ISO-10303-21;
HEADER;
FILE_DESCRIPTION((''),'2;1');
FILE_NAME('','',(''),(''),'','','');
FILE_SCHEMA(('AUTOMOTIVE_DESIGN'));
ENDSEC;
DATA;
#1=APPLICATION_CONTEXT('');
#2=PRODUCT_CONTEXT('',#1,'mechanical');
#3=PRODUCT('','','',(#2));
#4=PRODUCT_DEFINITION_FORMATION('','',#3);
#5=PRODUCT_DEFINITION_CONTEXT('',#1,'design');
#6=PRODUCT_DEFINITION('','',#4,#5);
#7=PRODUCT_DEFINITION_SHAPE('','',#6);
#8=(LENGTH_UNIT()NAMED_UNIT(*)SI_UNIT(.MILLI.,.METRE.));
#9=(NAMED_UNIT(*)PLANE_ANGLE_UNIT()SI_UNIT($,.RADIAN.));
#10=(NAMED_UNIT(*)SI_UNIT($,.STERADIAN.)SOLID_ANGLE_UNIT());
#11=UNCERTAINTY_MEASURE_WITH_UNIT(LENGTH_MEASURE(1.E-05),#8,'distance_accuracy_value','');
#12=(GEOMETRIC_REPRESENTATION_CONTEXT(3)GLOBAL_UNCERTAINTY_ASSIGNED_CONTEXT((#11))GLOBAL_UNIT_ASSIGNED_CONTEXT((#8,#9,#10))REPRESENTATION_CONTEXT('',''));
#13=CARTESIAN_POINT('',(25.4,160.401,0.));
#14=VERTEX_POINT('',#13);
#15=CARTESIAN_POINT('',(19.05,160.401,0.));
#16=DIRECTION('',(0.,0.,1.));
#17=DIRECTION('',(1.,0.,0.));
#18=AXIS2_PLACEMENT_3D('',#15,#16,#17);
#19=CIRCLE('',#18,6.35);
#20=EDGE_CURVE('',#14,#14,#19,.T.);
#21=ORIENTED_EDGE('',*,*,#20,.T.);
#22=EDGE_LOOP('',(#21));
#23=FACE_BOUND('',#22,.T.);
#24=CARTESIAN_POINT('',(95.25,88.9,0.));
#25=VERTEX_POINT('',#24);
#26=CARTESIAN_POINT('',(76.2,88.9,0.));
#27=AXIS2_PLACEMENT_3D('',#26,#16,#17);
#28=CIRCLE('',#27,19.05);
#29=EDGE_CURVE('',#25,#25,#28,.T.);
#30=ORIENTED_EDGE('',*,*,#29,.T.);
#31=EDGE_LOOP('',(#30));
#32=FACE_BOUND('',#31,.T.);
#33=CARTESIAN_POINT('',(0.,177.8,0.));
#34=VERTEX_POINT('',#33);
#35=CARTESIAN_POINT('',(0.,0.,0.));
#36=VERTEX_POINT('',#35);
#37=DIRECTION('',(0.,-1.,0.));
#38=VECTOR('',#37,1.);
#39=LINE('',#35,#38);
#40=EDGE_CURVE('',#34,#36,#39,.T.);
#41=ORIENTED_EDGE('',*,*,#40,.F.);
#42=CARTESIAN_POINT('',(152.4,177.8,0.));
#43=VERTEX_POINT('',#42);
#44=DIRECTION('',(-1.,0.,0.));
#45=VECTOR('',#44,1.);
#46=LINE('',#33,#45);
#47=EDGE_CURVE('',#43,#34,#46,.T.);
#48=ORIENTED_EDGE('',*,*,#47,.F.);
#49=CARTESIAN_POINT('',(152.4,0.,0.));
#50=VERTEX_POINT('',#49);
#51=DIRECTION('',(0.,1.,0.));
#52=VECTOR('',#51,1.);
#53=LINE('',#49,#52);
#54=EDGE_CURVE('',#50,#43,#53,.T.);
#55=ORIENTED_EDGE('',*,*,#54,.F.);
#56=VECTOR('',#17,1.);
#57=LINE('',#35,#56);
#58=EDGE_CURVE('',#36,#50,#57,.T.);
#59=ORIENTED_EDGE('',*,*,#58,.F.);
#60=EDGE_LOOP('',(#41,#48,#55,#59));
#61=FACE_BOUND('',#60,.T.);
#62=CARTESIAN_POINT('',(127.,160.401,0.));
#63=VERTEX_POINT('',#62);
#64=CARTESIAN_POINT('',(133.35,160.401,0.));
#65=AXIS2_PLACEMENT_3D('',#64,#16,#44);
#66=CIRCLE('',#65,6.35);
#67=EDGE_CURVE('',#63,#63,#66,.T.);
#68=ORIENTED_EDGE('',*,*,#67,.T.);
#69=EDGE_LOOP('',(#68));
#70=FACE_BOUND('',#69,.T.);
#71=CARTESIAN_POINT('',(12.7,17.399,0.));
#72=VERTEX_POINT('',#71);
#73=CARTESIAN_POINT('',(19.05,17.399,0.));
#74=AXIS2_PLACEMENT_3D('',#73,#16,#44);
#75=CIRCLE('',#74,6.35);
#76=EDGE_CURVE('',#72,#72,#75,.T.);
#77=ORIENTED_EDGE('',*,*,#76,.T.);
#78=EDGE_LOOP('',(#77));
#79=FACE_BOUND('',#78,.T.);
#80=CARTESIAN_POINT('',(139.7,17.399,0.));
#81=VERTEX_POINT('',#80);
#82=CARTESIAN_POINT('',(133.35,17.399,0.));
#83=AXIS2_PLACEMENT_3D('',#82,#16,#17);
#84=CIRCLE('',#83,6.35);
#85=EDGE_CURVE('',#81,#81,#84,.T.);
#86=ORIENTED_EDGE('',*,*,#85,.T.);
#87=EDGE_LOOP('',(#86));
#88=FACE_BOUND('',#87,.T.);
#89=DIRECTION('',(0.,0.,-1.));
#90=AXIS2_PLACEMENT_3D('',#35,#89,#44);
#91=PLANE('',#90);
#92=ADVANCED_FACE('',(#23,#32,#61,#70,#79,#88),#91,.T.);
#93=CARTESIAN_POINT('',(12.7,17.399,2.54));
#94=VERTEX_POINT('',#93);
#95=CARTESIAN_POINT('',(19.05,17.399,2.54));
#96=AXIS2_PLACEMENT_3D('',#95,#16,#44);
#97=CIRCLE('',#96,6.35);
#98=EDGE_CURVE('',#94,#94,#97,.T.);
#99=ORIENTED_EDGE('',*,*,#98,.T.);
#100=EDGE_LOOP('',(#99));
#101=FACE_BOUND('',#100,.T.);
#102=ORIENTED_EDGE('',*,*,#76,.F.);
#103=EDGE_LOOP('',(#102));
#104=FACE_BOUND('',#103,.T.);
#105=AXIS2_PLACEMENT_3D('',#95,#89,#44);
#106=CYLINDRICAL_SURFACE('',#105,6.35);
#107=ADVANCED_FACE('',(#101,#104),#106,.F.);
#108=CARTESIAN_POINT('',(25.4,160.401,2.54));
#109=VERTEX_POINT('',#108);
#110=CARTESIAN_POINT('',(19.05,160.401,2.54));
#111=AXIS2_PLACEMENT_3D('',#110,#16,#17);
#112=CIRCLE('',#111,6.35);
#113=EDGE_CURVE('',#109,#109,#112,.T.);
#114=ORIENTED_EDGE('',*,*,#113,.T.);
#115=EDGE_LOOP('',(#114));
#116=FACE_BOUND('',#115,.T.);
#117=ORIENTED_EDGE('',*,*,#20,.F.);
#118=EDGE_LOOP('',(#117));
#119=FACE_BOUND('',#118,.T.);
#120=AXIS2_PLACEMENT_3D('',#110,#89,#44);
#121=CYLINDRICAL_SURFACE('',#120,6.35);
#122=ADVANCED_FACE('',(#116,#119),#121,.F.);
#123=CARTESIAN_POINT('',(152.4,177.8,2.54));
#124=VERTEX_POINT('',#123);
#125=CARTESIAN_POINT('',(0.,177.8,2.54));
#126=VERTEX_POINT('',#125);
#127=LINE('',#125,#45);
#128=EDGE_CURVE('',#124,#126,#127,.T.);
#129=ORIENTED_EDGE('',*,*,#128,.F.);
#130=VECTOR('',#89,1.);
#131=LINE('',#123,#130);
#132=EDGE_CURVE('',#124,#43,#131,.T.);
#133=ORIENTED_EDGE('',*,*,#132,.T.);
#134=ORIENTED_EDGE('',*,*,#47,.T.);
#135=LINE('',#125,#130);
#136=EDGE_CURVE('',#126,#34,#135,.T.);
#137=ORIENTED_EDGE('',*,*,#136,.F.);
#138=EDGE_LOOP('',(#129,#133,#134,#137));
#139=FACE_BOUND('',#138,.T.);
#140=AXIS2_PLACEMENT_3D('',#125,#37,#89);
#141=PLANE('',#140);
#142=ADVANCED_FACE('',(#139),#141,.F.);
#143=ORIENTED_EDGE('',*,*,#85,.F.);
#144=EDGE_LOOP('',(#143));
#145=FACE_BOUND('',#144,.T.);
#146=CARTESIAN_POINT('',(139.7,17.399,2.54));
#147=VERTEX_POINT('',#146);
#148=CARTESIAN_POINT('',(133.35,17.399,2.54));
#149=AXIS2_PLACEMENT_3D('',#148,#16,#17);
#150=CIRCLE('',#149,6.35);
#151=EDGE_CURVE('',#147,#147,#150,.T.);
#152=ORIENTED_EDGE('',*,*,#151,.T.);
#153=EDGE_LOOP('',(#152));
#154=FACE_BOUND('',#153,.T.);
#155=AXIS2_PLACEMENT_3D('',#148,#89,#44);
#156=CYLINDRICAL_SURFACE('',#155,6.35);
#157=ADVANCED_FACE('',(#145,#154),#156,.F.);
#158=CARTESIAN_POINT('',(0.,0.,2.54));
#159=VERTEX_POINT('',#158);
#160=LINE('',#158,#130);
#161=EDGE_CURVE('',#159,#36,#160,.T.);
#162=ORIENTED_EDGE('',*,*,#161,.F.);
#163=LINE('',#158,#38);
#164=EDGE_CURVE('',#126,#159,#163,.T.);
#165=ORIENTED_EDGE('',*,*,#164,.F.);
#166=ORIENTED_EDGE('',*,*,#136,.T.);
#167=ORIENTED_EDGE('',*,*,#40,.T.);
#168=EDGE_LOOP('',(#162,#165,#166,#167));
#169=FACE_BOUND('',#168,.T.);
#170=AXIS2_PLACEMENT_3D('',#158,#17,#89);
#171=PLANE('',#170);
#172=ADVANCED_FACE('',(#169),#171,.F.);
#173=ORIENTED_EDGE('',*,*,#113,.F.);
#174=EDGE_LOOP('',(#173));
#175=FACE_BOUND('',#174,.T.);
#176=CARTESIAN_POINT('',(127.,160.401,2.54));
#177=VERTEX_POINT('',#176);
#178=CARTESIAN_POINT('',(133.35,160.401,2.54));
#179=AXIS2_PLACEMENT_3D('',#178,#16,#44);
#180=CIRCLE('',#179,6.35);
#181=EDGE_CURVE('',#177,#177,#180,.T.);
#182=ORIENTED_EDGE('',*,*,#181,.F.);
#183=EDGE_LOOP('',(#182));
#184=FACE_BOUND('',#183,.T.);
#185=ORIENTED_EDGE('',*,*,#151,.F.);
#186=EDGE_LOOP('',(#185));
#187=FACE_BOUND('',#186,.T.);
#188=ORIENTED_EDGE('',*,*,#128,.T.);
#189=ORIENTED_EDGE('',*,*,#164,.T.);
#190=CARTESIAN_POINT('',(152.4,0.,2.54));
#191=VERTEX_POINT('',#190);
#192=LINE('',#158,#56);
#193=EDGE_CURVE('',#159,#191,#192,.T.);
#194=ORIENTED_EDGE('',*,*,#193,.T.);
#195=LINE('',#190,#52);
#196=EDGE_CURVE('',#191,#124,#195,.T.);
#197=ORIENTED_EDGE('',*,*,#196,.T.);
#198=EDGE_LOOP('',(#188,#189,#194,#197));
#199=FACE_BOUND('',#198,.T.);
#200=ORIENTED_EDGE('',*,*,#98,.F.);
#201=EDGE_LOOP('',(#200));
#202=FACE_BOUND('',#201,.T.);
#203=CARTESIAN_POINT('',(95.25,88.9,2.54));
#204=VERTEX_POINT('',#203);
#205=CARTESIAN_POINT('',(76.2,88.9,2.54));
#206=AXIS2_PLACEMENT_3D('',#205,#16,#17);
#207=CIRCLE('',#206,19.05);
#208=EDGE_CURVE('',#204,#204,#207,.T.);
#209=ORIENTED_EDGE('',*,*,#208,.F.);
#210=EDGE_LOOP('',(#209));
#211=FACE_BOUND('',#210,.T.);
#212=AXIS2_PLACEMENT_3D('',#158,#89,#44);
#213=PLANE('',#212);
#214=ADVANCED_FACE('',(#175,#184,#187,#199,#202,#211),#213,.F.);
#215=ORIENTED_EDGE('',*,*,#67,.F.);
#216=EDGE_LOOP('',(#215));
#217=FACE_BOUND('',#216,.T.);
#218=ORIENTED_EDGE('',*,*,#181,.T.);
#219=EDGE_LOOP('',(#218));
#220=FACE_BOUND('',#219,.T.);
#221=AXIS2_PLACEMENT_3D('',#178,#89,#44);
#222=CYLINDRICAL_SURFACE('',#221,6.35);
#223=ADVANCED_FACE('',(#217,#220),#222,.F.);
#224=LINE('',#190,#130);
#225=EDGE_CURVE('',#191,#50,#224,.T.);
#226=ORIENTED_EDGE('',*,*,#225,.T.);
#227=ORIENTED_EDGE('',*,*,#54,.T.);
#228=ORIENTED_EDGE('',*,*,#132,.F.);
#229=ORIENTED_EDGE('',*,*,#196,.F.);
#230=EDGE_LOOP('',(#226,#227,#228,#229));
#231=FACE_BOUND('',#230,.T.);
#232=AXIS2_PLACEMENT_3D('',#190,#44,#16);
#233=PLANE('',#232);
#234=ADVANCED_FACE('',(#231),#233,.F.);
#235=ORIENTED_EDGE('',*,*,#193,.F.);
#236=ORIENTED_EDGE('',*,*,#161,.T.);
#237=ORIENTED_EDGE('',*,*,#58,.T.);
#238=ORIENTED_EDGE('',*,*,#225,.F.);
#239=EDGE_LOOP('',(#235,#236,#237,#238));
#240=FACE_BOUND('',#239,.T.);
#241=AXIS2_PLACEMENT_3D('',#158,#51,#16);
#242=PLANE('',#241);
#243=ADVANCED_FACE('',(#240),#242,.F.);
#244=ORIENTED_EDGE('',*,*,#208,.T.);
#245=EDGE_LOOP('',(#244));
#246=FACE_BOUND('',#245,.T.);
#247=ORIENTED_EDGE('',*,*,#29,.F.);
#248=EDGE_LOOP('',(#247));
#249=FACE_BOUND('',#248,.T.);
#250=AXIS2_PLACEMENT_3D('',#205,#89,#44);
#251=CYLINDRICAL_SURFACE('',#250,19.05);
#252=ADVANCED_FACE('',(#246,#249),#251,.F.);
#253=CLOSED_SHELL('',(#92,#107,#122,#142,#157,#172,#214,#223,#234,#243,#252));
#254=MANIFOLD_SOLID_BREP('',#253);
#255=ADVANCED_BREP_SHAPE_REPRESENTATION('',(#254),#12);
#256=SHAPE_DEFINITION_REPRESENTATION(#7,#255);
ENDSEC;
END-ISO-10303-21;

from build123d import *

# Parameters (mm, degrees)
SKETCH1_W           = 152.4
SKETCH1_H           = 177.8
BOSS_EXTRUDE1_DEPTH = 2.54
SKETCH2_R           = 19.05
CUT_EXTRUDE1_DEPTH  = 235.190203894
SKETCH3_R           = 6.35
CUT_EXTRUDE3_DEPTH  = 235.190203894


with BuildPart() as part:
    # Sketch1 → Boss-Extrude1 (new body)
    with BuildSketch(Plane.XY):
        with Locations((76.2, 88.9)):
            Rectangle(SKETCH1_W, SKETCH1_H)
    extrude(amount=BOSS_EXTRUDE1_DEPTH)

    # Sketch2 → Cut-Extrude1 (cut, through all)
    with BuildSketch(Plane.XY):
        with Locations((76.2, 88.9)):
            Circle(SKETCH2_R)
    extrude(amount=CUT_EXTRUDE1_DEPTH, mode=Mode.SUBTRACT)

    # Sketch3 → Cut-Extrude3 (cut, through all)
    with BuildSketch(Plane.XY):
        with Locations((19.05, 160.401)):
            Circle(SKETCH3_R)
        with Locations(Location((133.35, 160.401, 0), (0, 0, 180))):
            Circle(SKETCH3_R)
        with Locations((133.35, 17.399)):
            Circle(SKETCH3_R)
        with Locations(Location((19.05, 17.399, 0), (0, 0, 180))):
            Circle(SKETCH3_R)
    extrude(amount=CUT_EXTRUDE3_DEPTH, mode=Mode.SUBTRACT)


solid = part.part
